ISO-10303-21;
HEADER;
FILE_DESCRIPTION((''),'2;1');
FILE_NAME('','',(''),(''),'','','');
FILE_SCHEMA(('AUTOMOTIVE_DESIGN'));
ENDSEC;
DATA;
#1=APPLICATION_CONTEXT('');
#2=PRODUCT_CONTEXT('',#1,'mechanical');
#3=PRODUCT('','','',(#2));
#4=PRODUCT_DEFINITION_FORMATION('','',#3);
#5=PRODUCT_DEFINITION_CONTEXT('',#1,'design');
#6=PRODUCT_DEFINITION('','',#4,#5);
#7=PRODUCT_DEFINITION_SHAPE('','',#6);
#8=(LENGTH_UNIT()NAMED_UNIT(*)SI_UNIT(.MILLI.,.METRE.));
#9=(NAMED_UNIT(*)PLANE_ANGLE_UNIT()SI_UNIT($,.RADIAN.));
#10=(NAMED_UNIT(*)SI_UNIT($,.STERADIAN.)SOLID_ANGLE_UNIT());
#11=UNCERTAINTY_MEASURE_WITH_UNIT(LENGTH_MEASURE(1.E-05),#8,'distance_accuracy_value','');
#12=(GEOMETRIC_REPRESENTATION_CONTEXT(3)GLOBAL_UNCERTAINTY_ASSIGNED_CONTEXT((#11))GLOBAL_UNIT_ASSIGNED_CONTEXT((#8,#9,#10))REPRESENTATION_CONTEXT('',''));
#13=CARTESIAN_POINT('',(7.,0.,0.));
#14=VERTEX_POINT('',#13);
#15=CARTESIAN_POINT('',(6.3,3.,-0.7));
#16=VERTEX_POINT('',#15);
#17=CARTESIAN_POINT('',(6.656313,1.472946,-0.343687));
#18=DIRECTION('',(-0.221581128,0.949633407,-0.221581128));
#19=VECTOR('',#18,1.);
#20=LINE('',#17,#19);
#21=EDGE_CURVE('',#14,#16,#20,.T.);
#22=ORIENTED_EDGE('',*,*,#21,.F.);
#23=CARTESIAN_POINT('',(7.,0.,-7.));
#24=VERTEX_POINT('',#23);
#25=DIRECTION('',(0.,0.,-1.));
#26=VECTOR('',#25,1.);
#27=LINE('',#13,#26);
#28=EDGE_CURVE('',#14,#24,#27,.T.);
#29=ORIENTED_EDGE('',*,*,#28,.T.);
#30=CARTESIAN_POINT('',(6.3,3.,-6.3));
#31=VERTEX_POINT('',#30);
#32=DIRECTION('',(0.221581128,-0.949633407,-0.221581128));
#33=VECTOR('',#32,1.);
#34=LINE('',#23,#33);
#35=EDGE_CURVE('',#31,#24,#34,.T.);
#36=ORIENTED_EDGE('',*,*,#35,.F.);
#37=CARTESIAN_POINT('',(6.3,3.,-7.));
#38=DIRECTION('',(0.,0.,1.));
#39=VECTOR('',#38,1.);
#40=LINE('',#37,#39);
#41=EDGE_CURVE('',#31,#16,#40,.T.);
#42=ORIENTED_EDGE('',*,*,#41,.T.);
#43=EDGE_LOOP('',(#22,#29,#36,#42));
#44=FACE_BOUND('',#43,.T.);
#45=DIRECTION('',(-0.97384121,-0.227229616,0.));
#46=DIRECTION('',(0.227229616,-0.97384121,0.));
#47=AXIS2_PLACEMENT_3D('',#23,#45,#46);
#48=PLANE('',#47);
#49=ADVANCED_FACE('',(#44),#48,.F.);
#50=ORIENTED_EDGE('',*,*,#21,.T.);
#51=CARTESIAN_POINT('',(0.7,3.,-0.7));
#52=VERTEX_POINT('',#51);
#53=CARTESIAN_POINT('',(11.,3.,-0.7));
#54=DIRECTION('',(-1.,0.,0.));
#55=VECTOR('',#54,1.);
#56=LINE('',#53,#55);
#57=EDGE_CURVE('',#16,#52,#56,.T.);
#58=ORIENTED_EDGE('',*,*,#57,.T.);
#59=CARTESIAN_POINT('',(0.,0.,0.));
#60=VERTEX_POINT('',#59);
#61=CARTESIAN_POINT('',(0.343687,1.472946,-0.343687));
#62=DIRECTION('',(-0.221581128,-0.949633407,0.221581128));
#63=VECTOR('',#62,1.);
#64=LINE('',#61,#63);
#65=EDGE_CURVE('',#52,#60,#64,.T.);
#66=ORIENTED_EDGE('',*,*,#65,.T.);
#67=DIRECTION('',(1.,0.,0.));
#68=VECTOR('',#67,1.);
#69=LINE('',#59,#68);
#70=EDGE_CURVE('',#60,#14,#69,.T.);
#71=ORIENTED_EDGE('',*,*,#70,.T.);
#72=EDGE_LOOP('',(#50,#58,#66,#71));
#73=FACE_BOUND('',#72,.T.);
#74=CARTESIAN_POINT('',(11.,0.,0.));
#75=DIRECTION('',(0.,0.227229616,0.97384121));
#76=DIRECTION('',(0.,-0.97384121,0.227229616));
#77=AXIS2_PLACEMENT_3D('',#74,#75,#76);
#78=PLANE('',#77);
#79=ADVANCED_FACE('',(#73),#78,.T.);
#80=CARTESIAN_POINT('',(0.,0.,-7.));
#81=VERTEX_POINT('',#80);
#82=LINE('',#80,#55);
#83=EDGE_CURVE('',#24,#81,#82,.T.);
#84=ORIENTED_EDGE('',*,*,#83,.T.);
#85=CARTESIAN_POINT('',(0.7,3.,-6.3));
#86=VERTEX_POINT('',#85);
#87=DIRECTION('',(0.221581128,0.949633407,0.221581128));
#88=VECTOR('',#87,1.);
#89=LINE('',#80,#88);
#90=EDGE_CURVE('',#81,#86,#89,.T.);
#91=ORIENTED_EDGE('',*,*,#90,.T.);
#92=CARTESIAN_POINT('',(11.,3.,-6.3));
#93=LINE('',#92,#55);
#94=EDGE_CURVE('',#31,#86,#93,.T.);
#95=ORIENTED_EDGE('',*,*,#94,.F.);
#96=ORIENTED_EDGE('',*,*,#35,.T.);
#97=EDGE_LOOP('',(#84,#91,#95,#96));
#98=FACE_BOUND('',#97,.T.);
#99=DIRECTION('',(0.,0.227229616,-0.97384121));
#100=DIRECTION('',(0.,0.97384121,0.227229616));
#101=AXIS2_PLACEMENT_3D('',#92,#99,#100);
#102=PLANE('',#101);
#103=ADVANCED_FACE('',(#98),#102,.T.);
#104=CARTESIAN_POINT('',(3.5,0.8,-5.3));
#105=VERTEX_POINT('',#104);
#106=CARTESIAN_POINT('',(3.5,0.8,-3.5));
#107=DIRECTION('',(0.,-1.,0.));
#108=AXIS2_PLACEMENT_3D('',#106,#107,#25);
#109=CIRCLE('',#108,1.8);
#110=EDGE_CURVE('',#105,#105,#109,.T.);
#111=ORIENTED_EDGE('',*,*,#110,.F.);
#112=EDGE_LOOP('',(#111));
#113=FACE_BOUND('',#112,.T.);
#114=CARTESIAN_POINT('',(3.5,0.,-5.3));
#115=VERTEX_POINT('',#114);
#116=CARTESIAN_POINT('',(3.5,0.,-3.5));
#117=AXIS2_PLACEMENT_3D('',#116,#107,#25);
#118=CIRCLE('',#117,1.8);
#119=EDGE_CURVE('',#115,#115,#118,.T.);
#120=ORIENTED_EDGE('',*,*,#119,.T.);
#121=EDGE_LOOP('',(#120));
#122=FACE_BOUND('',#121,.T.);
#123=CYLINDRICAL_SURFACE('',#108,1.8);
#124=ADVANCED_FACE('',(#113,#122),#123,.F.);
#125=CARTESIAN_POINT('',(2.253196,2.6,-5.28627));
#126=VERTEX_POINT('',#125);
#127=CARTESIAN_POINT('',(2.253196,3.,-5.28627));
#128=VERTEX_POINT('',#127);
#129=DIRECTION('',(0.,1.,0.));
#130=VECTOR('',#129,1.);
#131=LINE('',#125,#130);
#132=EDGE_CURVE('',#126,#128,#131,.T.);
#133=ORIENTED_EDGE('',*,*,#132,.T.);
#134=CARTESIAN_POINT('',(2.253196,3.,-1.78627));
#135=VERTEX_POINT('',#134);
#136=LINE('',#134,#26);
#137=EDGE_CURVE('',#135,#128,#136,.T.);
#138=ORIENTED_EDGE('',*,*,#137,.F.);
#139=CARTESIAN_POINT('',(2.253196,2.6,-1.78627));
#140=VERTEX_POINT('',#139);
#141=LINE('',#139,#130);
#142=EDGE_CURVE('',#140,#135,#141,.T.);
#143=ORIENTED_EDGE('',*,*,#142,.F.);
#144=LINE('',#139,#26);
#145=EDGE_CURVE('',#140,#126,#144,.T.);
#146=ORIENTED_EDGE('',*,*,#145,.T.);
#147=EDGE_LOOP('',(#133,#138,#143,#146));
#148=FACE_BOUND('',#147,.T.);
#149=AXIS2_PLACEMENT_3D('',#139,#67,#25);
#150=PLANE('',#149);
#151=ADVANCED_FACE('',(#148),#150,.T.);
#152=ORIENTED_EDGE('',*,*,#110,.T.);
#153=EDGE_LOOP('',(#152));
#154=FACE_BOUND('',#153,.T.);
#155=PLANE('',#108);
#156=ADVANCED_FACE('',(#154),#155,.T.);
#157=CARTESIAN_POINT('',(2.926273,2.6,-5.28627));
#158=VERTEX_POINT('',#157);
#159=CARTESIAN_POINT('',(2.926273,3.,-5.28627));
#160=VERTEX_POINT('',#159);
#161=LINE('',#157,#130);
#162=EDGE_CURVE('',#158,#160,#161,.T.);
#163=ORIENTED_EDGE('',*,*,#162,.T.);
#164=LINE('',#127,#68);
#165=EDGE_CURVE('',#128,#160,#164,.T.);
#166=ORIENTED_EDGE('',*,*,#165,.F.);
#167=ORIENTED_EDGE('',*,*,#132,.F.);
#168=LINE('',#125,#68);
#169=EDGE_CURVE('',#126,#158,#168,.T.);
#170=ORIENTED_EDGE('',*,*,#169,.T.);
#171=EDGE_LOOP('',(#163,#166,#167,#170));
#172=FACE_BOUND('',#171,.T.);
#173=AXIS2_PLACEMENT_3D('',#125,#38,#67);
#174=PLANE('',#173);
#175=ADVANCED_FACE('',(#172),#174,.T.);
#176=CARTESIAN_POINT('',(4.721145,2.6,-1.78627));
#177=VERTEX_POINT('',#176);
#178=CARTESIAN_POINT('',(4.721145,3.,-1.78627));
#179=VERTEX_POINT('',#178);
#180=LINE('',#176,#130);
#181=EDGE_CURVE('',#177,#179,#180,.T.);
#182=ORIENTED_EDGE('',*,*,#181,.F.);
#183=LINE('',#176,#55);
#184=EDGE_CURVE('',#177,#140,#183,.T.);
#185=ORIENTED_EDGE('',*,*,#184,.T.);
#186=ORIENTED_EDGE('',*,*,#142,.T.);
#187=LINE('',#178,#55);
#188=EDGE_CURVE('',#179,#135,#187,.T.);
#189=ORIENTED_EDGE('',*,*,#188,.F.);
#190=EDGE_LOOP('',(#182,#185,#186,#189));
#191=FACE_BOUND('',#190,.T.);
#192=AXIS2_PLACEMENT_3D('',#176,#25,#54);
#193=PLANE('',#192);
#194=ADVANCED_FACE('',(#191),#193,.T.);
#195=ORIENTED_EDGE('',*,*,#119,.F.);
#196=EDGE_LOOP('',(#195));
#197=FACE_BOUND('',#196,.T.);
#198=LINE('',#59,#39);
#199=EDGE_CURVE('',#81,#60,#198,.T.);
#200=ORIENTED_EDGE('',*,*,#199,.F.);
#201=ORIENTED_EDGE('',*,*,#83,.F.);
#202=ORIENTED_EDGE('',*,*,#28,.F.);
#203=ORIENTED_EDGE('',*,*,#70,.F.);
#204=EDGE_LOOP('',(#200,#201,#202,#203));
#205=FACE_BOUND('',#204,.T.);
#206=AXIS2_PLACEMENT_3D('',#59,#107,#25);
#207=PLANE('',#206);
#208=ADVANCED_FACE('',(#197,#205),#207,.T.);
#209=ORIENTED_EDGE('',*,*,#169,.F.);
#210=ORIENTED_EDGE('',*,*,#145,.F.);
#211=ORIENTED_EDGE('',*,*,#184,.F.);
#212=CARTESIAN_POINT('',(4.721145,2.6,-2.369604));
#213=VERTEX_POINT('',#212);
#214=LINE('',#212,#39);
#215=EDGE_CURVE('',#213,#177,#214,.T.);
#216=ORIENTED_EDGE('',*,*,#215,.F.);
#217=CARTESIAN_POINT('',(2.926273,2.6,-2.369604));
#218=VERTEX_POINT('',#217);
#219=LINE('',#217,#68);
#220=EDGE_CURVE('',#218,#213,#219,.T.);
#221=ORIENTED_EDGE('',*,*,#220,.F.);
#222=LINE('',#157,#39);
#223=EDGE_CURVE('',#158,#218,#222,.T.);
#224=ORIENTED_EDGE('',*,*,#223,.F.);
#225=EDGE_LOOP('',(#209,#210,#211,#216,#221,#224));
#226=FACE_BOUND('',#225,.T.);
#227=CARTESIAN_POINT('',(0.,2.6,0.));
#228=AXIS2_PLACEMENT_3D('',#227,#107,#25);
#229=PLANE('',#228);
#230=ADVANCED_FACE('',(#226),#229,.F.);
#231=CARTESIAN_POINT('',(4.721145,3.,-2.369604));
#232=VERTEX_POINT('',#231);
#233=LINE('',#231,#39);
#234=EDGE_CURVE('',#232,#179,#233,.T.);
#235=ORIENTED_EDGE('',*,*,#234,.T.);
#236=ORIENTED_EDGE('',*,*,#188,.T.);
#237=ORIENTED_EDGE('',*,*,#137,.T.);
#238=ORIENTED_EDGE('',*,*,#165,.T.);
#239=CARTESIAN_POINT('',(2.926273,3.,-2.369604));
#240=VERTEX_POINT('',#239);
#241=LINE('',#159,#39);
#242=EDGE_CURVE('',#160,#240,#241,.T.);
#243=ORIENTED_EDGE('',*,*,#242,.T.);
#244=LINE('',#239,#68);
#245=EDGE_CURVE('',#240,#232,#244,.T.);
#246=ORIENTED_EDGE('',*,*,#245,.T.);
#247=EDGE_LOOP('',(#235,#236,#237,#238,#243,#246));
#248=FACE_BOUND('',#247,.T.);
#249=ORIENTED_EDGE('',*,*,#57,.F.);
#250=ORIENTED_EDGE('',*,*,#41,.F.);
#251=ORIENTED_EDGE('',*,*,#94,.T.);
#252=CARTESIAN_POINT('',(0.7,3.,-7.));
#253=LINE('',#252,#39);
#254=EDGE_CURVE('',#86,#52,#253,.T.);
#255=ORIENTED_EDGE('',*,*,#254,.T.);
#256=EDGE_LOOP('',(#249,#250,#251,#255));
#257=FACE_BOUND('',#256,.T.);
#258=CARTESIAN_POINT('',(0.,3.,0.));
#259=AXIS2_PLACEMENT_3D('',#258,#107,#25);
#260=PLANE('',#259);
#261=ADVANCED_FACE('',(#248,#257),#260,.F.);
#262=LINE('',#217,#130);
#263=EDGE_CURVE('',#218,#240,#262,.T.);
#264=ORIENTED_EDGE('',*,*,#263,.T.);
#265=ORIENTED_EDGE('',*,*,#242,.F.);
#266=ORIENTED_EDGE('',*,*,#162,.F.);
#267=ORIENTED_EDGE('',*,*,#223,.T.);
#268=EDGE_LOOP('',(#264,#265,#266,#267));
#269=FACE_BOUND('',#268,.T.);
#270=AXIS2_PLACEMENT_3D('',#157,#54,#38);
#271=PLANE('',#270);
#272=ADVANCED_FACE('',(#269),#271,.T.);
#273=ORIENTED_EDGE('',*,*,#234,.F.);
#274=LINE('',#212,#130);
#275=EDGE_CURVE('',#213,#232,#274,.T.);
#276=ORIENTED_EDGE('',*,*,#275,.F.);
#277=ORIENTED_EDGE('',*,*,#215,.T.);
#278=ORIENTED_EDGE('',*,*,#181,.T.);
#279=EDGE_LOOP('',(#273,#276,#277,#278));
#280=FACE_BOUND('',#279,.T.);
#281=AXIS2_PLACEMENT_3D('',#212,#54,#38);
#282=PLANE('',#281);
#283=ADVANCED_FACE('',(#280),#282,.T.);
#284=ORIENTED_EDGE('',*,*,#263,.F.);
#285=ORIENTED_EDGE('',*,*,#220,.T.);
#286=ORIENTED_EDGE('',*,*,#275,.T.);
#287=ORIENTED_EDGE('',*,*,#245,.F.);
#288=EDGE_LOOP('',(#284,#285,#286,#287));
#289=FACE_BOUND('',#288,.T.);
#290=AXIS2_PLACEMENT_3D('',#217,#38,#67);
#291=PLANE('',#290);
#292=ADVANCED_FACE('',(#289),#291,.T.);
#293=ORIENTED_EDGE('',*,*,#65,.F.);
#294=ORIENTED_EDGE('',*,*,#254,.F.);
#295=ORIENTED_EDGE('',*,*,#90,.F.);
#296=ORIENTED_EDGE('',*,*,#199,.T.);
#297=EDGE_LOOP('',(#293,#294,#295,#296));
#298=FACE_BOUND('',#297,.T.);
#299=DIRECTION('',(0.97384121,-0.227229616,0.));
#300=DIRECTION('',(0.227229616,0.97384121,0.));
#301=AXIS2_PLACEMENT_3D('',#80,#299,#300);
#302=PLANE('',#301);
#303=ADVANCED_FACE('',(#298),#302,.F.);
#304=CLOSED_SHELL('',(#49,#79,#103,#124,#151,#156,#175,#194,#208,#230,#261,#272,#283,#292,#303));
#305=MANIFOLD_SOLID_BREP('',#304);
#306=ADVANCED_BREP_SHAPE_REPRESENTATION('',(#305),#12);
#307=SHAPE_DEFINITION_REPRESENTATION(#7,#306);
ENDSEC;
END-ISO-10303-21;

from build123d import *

# Parameters (mm, degrees)
SKETCH1_W           = 7
SKETCH1_H           = 7
BOSS_EXTRUDE1_DEPTH = 3
CUT_EXTRUDE1_DEPTH  = 7
CUT_EXTRUDE2_DEPTH  = 11
SKETCH4_R           = 1.8
CUT_EXTRUDE3_DEPTH  = 0.8
CUT_EXTRUDE4_DEPTH  = 0.4


with BuildPart() as part:
    # Sketch1 → Boss-Extrude1 (new body)
    with BuildSketch(Plane(origin=(0, 0, 0), x_dir=(1, 0, 0), z_dir=(0, 1, 0))):
        with Locations((3.5, 3.5)):
            Rectangle(SKETCH1_W, SKETCH1_H)
    extrude(amount=BOSS_EXTRUDE1_DEPTH)

    # Sketch2 → Cut-Extrude1 (cut)
    with BuildSketch(Plane.XY):
        Polygon((0, 0), (0.7, 3), (0, 3), align=None)
        Polygon((7, 0), (6.3, 3), (7, 3), align=None)
    extrude(amount=-CUT_EXTRUDE1_DEPTH, mode=Mode.SUBTRACT)

    # Sketch3 → Cut-Extrude2 (cut)
    with BuildSketch(Plane(origin=(0, 0, 0), x_dir=(0, 0, -1), z_dir=(1, 0, 0))):
        Polygon((0, 0), (0.7, 3), (0, 3), align=None)
        Polygon((7, 3), (6.3, 3), (7, 0), align=None)
    extrude(amount=CUT_EXTRUDE2_DEPTH, mode=Mode.SUBTRACT)

    # Sketch4 → Cut-Extrude3 (cut)
    with BuildSketch(Plane.XZ):
        with Locations(Location((3.5, -3.5, 0), (0, 0, 270))):
            Circle(SKETCH4_R)
    extrude(amount=-CUT_EXTRUDE3_DEPTH, mode=Mode.SUBTRACT)

    # Sketch5 → Cut-Extrude4 (cut)
    with BuildSketch(Plane(origin=(0, 3, 0), x_dir=(1, 0, 0), z_dir=(0, 1, 0))):
        Polygon((2.253196063, 1.786270222), (2.253196063, 5.286270222), (2.926272986, 5.286270222), (2.926272986, 2.369603555), (4.721144781, 2.369603555), (4.721144781, 1.786270222), align=None)
    extrude(amount=-CUT_EXTRUDE4_DEPTH, mode=Mode.SUBTRACT)


solid = part.part
